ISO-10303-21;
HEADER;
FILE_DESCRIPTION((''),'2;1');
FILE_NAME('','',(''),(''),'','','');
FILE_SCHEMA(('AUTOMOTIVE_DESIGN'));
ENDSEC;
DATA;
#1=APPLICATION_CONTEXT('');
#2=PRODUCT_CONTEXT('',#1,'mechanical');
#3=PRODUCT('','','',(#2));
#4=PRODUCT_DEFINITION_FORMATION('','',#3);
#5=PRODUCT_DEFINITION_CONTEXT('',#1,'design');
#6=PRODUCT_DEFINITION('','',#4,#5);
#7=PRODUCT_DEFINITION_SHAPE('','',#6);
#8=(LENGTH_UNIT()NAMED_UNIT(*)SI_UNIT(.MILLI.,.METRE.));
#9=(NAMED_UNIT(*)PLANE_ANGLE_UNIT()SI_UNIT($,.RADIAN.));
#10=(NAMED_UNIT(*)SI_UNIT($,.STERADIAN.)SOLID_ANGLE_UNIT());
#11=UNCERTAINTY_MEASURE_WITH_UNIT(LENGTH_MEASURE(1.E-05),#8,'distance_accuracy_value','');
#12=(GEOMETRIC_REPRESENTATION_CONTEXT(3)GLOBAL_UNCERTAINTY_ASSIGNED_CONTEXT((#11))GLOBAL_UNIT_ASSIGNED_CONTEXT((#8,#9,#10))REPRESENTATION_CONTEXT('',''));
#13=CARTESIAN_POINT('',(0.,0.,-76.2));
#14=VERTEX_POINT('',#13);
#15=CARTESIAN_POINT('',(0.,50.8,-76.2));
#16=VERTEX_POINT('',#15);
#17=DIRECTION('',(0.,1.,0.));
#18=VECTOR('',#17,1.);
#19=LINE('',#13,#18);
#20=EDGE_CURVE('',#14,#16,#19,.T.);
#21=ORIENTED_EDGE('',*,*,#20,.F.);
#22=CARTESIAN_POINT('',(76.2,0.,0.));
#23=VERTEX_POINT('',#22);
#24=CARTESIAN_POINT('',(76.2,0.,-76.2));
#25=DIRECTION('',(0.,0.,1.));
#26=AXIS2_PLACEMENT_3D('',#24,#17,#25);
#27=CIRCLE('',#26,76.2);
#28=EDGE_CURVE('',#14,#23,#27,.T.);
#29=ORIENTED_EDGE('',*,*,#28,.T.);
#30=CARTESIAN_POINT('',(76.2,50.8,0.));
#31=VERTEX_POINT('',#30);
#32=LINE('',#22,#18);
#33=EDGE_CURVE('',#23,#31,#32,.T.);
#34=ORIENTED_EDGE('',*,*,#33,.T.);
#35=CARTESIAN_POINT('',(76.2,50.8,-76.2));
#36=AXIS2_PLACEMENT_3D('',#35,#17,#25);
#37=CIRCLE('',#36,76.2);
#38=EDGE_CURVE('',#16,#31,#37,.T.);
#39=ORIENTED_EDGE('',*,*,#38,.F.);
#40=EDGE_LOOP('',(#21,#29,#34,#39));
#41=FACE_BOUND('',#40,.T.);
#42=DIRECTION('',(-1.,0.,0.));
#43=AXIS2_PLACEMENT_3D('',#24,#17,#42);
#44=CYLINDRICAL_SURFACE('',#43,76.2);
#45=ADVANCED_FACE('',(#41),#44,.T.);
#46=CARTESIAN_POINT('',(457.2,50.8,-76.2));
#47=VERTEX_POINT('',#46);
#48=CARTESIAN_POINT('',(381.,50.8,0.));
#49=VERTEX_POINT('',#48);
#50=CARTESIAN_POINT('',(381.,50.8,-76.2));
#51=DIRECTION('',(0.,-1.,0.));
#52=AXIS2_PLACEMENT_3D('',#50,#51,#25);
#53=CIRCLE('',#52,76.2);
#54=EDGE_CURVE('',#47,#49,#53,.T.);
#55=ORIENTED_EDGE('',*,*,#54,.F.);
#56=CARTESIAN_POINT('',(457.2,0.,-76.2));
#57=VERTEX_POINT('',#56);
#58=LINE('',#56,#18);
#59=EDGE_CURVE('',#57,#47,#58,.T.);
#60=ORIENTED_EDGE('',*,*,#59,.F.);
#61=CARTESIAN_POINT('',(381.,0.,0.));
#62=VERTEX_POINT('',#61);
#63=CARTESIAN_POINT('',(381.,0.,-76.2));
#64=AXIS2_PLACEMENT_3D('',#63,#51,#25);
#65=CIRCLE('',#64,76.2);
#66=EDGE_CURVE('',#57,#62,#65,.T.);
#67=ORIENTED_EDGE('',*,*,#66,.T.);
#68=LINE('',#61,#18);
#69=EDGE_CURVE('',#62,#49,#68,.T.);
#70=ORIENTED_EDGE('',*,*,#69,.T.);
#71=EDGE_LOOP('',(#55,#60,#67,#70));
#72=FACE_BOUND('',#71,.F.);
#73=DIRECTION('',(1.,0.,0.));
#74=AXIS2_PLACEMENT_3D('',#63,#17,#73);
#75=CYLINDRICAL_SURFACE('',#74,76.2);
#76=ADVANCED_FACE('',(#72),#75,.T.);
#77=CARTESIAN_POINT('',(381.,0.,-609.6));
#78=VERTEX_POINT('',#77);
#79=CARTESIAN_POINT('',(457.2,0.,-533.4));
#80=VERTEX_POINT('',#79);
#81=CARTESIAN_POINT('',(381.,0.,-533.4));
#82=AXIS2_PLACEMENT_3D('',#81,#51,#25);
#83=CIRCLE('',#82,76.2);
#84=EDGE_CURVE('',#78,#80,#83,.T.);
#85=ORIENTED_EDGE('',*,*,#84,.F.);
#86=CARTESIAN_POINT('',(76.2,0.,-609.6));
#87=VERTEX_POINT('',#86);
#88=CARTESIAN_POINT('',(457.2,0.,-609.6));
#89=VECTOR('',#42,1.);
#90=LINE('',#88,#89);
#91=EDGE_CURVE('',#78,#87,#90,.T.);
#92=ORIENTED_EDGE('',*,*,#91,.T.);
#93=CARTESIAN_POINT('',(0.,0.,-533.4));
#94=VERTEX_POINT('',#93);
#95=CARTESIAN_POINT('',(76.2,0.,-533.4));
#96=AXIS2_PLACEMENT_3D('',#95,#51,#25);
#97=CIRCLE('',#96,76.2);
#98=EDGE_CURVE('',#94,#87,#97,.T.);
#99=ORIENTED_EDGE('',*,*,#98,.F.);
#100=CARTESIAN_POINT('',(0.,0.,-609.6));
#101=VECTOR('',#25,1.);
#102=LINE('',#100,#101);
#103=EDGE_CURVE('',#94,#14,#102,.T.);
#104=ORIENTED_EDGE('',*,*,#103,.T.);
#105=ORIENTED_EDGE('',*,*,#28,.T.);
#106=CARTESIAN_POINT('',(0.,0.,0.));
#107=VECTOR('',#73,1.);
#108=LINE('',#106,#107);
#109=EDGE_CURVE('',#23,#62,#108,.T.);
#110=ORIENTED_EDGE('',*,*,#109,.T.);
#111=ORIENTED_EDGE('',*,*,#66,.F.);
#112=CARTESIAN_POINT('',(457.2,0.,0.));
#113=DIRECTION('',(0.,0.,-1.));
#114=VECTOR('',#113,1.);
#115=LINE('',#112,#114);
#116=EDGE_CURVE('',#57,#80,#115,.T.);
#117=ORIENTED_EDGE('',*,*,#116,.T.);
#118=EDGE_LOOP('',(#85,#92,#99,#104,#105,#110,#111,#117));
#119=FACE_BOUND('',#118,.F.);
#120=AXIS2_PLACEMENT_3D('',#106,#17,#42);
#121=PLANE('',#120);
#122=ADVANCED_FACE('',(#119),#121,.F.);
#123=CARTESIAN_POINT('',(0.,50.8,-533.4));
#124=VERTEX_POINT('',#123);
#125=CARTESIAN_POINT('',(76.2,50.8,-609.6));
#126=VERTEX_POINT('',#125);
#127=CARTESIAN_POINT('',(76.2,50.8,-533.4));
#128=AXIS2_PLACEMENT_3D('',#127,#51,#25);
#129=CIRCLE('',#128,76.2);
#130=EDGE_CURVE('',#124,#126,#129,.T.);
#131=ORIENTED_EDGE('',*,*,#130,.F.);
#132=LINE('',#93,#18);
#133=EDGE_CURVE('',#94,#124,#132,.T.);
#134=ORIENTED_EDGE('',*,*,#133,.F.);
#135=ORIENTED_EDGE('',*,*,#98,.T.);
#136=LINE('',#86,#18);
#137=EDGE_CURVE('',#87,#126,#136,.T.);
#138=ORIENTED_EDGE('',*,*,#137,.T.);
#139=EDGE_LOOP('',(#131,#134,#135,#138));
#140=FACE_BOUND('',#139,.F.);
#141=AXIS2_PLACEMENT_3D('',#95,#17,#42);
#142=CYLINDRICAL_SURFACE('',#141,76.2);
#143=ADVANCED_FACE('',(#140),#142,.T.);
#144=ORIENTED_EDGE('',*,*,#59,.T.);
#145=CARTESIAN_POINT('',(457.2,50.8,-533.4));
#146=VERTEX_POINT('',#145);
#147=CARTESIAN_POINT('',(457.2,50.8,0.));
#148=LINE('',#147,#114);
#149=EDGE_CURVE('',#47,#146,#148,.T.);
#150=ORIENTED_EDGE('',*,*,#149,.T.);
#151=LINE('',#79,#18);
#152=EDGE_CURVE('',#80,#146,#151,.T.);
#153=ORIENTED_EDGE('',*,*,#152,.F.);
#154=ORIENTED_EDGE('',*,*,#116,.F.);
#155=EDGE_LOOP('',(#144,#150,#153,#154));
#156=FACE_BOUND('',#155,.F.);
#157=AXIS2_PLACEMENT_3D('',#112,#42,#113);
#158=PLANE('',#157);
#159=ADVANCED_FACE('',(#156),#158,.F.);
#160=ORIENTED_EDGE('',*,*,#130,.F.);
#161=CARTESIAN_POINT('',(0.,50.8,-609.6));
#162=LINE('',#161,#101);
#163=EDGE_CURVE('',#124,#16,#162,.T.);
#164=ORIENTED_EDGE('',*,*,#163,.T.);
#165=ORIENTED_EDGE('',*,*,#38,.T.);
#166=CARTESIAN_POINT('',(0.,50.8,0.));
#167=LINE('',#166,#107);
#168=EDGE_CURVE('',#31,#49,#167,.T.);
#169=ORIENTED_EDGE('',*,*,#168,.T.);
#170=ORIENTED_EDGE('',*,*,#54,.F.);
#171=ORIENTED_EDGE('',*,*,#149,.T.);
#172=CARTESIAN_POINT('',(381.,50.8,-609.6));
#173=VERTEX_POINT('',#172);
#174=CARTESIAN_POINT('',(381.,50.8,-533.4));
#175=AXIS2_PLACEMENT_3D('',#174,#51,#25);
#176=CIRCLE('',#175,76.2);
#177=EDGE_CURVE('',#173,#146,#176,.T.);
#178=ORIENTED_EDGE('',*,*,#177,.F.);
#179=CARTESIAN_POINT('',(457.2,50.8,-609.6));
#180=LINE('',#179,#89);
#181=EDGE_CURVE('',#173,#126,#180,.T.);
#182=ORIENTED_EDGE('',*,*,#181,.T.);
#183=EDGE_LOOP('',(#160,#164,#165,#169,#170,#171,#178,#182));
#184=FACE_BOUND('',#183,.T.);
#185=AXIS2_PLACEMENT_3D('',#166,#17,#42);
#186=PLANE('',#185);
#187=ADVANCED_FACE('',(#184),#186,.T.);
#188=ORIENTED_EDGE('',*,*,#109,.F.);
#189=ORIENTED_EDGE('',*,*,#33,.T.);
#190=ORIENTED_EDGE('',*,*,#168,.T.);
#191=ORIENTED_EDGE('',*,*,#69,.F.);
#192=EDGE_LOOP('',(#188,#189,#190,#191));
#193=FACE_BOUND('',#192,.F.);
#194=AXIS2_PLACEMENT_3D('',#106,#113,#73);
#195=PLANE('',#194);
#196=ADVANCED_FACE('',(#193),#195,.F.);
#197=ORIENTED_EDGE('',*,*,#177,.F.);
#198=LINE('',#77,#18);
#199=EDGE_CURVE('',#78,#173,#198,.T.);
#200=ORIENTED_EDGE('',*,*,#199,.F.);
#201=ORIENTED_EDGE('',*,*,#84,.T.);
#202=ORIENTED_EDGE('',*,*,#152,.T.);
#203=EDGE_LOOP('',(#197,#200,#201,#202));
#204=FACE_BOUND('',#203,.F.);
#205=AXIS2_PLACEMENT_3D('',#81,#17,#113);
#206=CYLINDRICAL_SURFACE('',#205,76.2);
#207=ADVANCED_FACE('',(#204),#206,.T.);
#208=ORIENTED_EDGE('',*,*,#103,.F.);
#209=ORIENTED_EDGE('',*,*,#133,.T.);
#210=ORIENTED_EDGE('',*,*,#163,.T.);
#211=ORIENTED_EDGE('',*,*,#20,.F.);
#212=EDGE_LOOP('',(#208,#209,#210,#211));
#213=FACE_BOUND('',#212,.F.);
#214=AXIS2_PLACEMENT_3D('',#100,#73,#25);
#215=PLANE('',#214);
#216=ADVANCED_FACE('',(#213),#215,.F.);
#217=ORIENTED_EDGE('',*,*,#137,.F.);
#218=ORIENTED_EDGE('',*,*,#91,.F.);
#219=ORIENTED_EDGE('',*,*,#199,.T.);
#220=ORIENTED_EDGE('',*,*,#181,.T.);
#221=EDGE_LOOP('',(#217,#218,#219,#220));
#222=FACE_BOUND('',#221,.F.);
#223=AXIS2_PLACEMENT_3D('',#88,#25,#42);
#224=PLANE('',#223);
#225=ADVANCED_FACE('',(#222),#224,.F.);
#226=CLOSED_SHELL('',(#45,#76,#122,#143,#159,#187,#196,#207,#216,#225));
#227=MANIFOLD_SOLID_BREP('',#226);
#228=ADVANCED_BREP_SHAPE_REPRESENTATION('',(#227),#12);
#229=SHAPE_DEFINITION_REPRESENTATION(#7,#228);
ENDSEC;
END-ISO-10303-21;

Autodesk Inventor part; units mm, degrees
ref_plane "YZ Plane" through (0, 0, 0) normal (1, 0, 0) x (0, 1, 0)
ref_plane "XZ Plane" through (0, 0, 0) normal (0, 1, 0) x (-1, 0, 0)
ref_plane "XY Plane" through (0, 0, 0) normal (0, 0, 1) x (1, 0, 0)
sketch "Sketch1" plane through (0, 0, 0) normal (0, 1, 0) x (-1, 0, 0)
  line L0 (0, 0) -> (-457.2, 0)
  line L1 (-457.2, 0) -> (-457.2, -609.6)
  line L2 (-457.2, -609.6) -> (0, -609.6)
  line L3 (0, -609.6) -> (0, 0)
  dimension "d0" = 609.6
  dimension "d1" = 457.2
extrude "Extrusion1" add sketch "Sketch1" along normal blind 50.8
fillet "Fillet1" radius 76.2 4 edges at (457.2, 25.4, 0) (457.2, 25.4, -609.6) (0, 25.4, 0) (0, 25.4, -609.6)
properties part number "foam-sheet"
